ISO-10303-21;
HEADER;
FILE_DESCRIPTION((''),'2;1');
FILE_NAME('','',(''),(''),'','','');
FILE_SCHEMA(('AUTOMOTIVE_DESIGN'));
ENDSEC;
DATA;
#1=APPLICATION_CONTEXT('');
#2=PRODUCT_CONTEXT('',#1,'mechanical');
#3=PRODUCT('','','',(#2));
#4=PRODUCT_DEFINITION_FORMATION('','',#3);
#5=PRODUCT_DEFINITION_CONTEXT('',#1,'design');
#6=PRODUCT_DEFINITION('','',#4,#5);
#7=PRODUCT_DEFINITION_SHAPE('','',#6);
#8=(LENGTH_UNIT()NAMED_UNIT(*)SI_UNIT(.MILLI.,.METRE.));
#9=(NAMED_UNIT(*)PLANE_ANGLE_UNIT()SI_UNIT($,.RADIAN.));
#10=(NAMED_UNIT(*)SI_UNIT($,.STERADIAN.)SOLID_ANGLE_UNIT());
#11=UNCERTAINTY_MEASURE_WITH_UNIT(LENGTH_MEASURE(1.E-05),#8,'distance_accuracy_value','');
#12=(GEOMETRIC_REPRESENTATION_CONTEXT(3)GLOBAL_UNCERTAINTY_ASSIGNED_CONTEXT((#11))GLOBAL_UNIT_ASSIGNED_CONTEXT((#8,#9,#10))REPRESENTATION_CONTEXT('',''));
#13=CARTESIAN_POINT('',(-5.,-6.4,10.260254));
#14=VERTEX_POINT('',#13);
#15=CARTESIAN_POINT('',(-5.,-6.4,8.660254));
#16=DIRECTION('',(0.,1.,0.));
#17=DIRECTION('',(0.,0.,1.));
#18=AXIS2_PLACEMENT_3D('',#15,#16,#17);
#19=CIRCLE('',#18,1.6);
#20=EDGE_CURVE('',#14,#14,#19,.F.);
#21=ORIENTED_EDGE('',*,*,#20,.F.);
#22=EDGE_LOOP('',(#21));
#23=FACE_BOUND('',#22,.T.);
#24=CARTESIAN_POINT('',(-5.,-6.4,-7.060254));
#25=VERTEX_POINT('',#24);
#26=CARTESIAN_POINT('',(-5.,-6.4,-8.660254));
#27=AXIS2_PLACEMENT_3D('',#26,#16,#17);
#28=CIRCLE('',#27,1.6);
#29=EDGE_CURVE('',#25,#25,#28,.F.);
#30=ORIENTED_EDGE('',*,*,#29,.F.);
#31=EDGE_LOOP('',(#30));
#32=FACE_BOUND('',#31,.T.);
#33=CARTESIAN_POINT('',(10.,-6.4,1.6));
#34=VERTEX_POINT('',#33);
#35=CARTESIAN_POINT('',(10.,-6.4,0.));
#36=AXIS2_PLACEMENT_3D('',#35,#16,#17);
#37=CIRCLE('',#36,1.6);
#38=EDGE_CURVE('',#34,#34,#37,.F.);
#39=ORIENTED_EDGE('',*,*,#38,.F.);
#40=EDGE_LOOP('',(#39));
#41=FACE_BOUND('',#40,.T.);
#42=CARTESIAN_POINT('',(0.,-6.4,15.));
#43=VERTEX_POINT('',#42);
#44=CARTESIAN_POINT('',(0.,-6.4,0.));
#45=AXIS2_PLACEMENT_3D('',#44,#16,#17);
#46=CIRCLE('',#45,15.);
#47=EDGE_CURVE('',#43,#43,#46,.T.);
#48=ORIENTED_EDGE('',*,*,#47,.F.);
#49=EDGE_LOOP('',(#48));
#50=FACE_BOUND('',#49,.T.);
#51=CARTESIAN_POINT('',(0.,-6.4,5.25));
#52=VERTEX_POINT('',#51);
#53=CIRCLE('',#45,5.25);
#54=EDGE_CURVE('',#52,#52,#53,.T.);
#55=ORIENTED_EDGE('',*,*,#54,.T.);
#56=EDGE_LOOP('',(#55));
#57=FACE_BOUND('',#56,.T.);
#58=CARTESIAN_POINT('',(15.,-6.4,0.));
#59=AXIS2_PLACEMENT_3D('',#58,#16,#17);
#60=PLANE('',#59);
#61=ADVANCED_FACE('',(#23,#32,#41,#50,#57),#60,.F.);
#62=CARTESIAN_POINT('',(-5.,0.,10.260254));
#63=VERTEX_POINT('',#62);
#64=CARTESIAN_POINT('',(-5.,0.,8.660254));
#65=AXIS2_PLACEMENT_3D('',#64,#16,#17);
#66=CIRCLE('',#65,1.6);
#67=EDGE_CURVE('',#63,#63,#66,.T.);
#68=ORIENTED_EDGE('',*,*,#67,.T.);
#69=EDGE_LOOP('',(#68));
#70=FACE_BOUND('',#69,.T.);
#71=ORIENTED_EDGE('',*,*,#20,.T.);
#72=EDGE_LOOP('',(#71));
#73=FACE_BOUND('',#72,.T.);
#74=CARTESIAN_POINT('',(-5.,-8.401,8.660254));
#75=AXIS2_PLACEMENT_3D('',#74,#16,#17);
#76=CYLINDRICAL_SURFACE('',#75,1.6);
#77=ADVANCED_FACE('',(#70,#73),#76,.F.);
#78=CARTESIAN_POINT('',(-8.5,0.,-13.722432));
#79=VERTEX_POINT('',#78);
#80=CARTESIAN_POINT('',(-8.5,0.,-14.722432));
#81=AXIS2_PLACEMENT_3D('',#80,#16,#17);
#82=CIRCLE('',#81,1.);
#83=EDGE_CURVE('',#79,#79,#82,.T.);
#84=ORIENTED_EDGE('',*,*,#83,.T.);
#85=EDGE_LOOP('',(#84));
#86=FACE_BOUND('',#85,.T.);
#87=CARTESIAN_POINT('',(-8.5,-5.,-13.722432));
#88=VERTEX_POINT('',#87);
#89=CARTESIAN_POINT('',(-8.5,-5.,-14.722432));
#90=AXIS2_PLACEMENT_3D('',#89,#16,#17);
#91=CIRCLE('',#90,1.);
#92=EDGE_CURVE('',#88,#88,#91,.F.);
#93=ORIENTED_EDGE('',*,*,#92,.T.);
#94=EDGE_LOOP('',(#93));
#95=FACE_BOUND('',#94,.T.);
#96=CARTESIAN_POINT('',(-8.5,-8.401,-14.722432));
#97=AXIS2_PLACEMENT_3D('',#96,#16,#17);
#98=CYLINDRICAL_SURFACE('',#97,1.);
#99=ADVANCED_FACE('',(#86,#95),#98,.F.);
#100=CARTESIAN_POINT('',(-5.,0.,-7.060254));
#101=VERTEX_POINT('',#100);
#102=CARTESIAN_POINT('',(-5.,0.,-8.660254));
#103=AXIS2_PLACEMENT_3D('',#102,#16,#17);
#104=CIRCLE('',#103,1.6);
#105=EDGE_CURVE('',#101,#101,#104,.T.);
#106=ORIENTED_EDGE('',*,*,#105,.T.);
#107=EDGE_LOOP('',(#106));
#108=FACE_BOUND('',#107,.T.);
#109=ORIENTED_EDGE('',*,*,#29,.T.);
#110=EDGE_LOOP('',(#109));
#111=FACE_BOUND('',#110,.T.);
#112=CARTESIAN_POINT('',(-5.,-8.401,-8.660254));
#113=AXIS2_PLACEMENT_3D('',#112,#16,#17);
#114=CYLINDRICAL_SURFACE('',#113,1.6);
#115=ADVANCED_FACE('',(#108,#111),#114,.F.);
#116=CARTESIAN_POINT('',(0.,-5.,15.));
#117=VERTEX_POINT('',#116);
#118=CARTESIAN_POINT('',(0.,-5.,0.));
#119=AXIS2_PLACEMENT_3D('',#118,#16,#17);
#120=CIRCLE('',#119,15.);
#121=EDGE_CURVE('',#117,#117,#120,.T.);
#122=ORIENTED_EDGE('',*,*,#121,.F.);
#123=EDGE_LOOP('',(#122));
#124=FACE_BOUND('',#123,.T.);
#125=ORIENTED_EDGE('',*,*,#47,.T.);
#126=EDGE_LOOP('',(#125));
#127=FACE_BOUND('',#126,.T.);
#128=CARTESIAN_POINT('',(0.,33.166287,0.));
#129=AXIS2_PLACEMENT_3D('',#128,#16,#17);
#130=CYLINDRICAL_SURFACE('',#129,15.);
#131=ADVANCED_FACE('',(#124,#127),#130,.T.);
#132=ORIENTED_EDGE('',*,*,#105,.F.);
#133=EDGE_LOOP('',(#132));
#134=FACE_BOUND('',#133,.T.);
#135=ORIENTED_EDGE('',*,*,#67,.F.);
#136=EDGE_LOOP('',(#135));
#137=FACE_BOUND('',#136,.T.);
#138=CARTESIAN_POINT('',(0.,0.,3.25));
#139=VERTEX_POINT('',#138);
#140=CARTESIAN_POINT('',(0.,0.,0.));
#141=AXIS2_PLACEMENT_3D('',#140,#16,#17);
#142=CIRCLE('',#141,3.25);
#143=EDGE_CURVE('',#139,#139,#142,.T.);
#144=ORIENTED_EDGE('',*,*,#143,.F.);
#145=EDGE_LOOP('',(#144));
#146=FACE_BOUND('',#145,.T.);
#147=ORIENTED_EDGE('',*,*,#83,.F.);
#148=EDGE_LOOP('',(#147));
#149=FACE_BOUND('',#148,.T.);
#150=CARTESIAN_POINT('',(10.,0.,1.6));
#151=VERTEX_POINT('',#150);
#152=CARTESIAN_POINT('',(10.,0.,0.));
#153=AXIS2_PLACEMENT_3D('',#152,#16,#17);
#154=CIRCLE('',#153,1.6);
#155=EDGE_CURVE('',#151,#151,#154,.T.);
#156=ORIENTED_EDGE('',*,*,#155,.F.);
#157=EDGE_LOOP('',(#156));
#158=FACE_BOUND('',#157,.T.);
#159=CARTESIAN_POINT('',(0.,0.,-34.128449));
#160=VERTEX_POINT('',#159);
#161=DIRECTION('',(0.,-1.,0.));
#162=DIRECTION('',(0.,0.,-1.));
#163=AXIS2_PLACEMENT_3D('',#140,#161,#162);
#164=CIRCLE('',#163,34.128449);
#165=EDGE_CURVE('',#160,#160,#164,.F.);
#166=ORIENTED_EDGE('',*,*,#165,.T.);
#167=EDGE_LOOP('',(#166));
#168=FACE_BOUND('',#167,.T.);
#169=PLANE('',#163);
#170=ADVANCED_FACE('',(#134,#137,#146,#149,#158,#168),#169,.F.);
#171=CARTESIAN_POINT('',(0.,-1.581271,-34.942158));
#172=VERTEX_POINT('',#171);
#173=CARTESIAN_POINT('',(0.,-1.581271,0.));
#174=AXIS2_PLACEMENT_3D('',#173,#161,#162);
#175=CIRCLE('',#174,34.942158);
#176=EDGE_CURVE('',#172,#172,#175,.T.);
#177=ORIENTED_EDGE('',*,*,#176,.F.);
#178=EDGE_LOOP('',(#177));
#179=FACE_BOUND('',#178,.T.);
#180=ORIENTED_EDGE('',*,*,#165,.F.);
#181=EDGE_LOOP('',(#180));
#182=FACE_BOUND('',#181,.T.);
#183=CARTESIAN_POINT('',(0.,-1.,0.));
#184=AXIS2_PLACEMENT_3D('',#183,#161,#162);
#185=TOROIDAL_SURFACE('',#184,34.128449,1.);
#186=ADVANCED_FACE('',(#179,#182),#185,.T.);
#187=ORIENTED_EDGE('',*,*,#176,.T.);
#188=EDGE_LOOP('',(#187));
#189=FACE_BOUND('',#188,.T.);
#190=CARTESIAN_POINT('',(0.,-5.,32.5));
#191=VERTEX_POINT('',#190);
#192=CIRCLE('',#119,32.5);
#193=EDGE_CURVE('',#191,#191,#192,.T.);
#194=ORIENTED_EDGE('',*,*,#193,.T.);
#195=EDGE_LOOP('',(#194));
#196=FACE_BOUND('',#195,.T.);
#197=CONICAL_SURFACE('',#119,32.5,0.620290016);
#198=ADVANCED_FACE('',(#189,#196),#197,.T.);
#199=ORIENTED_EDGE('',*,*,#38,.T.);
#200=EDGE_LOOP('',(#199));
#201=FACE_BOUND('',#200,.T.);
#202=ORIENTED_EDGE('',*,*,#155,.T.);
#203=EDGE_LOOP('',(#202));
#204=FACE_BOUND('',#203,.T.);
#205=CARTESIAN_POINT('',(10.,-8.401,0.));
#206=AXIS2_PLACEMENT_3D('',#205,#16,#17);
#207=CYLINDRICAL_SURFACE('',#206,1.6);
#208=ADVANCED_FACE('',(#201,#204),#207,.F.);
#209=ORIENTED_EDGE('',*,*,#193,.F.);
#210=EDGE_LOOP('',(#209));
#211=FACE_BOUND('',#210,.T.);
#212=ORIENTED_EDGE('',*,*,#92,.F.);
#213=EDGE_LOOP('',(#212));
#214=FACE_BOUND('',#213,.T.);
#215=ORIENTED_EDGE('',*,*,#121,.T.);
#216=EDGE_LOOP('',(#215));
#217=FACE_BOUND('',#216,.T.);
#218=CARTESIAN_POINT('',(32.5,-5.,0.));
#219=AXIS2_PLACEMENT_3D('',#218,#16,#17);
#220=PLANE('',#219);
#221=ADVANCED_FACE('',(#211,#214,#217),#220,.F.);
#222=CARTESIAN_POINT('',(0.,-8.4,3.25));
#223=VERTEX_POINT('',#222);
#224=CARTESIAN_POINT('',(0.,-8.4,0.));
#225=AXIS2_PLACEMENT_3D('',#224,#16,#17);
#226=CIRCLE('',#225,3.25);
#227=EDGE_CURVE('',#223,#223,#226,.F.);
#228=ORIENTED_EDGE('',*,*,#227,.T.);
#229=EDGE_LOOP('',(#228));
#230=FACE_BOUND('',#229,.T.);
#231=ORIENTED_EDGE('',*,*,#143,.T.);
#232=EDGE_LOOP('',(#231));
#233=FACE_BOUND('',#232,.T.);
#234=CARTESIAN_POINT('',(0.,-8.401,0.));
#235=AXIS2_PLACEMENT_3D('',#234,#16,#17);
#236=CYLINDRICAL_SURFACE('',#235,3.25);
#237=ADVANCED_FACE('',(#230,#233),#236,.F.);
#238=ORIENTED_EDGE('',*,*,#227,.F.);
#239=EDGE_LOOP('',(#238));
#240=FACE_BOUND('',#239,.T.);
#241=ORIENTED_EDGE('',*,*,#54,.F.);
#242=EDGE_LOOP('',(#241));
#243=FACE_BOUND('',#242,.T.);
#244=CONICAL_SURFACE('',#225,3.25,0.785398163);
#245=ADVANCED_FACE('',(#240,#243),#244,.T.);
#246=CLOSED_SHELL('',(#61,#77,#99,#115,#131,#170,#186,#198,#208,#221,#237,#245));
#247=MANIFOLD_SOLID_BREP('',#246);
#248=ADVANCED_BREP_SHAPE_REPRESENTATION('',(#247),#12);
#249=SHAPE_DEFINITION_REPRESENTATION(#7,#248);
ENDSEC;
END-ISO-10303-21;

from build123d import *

# Parameters (mm, degrees)
CONG_1_R                = 1
ENL_V_MAT_EXTRU_1_REACH = 10.4
ESQUISSE2_R             = 3.25
ESQUISSE2_R_2           = 1.6
ESQUISSE2_R_3           = 1


with BuildPart() as part:
    # Esquisse1 → Révolution1 (revolve)
    with BuildSketch(Plane.XY):
        Polygon((0, 0), (36.071734624, 0), (32.5, -5), (15, -5), (15, -6.4), (5.25, -6.4), (3.25, -8.4), (0, -8.4), align=None)
    revolve(axis=Axis((0, 33.166287016, 0), (0, -1, 0)))

    # Congé1
    cong_1_edges = [part.edges().sort_by_distance(p)[0] for p in [
        (-36.071734624, 0, 0),
    ]]
    fillet(cong_1_edges, radius=CONG_1_R)

    # Esquisse2 → Enlèv. mat.-Extru.1 (cut, up to next)
    with BuildSketch(Plane(origin=(0, 0, 0), x_dir=(1, 0, 0), z_dir=(0, 1, 0)), mode=Mode.PRIVATE) as enl_v_mat_extru_1_sk1:
        Circle(ESQUISSE2_R)
    enl_v_mat_extru_1_tool1 = extrude(enl_v_mat_extru_1_sk1.sketch, amount=-ENL_V_MAT_EXTRU_1_REACH, mode=Mode.PRIVATE) & part.part
    add(enl_v_mat_extru_1_tool1.solids().sort_by_distance((0, 0, 0))[0], mode=Mode.SUBTRACT)
    # Esquisse2 → Enlèv. mat.-Extru.1 (cut, up to next)
    with BuildSketch(Plane(origin=(0, 0, 0), x_dir=(1, 0, 0), z_dir=(0, 1, 0)), mode=Mode.PRIVATE) as enl_v_mat_extru_1_sk2:
        with Locations((10, 0)):
            Circle(ESQUISSE2_R_2)
    enl_v_mat_extru_1_tool2 = extrude(enl_v_mat_extru_1_sk2.sketch, amount=-ENL_V_MAT_EXTRU_1_REACH, mode=Mode.PRIVATE) & part.part
    add(enl_v_mat_extru_1_tool2.solids().sort_by_distance((10, 0, 0))[0], mode=Mode.SUBTRACT)
    # Esquisse2 → Enlèv. mat.-Extru.1 (cut, up to next)
    with BuildSketch(Plane(origin=(0, 0, 0), x_dir=(1, 0, 0), z_dir=(0, 1, 0)), mode=Mode.PRIVATE) as enl_v_mat_extru_1_sk3:
        with Locations((-5, -8.660254038)):
            Circle(ESQUISSE2_R_2)
    enl_v_mat_extru_1_tool3 = extrude(enl_v_mat_extru_1_sk3.sketch, amount=-ENL_V_MAT_EXTRU_1_REACH, mode=Mode.PRIVATE) & part.part
    add(enl_v_mat_extru_1_tool3.solids().sort_by_distance((-5, 0, 8.660254))[0], mode=Mode.SUBTRACT)
    # Esquisse2 → Enlèv. mat.-Extru.1 (cut, up to next)
    with BuildSketch(Plane(origin=(0, 0, 0), x_dir=(1, 0, 0), z_dir=(0, 1, 0)), mode=Mode.PRIVATE) as enl_v_mat_extru_1_sk4:
        with Locations((-5, 8.660254038)):
            Circle(ESQUISSE2_R_2)
    enl_v_mat_extru_1_tool4 = extrude(enl_v_mat_extru_1_sk4.sketch, amount=-ENL_V_MAT_EXTRU_1_REACH, mode=Mode.PRIVATE) & part.part
    add(enl_v_mat_extru_1_tool4.solids().sort_by_distance((-5, 0, -8.660254))[0], mode=Mode.SUBTRACT)
    # Esquisse2 → Enlèv. mat.-Extru.1 (cut, up to next)
    with BuildSketch(Plane(origin=(0, 0, 0), x_dir=(1, 0, 0), z_dir=(0, 1, 0)), mode=Mode.PRIVATE) as enl_v_mat_extru_1_sk5:
        with Locations((-8.5, 14.722431864)):
            Circle(ESQUISSE2_R_3)
    enl_v_mat_extru_1_tool5 = extrude(enl_v_mat_extru_1_sk5.sketch, amount=-ENL_V_MAT_EXTRU_1_REACH, mode=Mode.PRIVATE) & part.part
    add(enl_v_mat_extru_1_tool5.solids().sort_by_distance((-8.5, 0, -14.722432))[0], mode=Mode.SUBTRACT)


solid = part.part
